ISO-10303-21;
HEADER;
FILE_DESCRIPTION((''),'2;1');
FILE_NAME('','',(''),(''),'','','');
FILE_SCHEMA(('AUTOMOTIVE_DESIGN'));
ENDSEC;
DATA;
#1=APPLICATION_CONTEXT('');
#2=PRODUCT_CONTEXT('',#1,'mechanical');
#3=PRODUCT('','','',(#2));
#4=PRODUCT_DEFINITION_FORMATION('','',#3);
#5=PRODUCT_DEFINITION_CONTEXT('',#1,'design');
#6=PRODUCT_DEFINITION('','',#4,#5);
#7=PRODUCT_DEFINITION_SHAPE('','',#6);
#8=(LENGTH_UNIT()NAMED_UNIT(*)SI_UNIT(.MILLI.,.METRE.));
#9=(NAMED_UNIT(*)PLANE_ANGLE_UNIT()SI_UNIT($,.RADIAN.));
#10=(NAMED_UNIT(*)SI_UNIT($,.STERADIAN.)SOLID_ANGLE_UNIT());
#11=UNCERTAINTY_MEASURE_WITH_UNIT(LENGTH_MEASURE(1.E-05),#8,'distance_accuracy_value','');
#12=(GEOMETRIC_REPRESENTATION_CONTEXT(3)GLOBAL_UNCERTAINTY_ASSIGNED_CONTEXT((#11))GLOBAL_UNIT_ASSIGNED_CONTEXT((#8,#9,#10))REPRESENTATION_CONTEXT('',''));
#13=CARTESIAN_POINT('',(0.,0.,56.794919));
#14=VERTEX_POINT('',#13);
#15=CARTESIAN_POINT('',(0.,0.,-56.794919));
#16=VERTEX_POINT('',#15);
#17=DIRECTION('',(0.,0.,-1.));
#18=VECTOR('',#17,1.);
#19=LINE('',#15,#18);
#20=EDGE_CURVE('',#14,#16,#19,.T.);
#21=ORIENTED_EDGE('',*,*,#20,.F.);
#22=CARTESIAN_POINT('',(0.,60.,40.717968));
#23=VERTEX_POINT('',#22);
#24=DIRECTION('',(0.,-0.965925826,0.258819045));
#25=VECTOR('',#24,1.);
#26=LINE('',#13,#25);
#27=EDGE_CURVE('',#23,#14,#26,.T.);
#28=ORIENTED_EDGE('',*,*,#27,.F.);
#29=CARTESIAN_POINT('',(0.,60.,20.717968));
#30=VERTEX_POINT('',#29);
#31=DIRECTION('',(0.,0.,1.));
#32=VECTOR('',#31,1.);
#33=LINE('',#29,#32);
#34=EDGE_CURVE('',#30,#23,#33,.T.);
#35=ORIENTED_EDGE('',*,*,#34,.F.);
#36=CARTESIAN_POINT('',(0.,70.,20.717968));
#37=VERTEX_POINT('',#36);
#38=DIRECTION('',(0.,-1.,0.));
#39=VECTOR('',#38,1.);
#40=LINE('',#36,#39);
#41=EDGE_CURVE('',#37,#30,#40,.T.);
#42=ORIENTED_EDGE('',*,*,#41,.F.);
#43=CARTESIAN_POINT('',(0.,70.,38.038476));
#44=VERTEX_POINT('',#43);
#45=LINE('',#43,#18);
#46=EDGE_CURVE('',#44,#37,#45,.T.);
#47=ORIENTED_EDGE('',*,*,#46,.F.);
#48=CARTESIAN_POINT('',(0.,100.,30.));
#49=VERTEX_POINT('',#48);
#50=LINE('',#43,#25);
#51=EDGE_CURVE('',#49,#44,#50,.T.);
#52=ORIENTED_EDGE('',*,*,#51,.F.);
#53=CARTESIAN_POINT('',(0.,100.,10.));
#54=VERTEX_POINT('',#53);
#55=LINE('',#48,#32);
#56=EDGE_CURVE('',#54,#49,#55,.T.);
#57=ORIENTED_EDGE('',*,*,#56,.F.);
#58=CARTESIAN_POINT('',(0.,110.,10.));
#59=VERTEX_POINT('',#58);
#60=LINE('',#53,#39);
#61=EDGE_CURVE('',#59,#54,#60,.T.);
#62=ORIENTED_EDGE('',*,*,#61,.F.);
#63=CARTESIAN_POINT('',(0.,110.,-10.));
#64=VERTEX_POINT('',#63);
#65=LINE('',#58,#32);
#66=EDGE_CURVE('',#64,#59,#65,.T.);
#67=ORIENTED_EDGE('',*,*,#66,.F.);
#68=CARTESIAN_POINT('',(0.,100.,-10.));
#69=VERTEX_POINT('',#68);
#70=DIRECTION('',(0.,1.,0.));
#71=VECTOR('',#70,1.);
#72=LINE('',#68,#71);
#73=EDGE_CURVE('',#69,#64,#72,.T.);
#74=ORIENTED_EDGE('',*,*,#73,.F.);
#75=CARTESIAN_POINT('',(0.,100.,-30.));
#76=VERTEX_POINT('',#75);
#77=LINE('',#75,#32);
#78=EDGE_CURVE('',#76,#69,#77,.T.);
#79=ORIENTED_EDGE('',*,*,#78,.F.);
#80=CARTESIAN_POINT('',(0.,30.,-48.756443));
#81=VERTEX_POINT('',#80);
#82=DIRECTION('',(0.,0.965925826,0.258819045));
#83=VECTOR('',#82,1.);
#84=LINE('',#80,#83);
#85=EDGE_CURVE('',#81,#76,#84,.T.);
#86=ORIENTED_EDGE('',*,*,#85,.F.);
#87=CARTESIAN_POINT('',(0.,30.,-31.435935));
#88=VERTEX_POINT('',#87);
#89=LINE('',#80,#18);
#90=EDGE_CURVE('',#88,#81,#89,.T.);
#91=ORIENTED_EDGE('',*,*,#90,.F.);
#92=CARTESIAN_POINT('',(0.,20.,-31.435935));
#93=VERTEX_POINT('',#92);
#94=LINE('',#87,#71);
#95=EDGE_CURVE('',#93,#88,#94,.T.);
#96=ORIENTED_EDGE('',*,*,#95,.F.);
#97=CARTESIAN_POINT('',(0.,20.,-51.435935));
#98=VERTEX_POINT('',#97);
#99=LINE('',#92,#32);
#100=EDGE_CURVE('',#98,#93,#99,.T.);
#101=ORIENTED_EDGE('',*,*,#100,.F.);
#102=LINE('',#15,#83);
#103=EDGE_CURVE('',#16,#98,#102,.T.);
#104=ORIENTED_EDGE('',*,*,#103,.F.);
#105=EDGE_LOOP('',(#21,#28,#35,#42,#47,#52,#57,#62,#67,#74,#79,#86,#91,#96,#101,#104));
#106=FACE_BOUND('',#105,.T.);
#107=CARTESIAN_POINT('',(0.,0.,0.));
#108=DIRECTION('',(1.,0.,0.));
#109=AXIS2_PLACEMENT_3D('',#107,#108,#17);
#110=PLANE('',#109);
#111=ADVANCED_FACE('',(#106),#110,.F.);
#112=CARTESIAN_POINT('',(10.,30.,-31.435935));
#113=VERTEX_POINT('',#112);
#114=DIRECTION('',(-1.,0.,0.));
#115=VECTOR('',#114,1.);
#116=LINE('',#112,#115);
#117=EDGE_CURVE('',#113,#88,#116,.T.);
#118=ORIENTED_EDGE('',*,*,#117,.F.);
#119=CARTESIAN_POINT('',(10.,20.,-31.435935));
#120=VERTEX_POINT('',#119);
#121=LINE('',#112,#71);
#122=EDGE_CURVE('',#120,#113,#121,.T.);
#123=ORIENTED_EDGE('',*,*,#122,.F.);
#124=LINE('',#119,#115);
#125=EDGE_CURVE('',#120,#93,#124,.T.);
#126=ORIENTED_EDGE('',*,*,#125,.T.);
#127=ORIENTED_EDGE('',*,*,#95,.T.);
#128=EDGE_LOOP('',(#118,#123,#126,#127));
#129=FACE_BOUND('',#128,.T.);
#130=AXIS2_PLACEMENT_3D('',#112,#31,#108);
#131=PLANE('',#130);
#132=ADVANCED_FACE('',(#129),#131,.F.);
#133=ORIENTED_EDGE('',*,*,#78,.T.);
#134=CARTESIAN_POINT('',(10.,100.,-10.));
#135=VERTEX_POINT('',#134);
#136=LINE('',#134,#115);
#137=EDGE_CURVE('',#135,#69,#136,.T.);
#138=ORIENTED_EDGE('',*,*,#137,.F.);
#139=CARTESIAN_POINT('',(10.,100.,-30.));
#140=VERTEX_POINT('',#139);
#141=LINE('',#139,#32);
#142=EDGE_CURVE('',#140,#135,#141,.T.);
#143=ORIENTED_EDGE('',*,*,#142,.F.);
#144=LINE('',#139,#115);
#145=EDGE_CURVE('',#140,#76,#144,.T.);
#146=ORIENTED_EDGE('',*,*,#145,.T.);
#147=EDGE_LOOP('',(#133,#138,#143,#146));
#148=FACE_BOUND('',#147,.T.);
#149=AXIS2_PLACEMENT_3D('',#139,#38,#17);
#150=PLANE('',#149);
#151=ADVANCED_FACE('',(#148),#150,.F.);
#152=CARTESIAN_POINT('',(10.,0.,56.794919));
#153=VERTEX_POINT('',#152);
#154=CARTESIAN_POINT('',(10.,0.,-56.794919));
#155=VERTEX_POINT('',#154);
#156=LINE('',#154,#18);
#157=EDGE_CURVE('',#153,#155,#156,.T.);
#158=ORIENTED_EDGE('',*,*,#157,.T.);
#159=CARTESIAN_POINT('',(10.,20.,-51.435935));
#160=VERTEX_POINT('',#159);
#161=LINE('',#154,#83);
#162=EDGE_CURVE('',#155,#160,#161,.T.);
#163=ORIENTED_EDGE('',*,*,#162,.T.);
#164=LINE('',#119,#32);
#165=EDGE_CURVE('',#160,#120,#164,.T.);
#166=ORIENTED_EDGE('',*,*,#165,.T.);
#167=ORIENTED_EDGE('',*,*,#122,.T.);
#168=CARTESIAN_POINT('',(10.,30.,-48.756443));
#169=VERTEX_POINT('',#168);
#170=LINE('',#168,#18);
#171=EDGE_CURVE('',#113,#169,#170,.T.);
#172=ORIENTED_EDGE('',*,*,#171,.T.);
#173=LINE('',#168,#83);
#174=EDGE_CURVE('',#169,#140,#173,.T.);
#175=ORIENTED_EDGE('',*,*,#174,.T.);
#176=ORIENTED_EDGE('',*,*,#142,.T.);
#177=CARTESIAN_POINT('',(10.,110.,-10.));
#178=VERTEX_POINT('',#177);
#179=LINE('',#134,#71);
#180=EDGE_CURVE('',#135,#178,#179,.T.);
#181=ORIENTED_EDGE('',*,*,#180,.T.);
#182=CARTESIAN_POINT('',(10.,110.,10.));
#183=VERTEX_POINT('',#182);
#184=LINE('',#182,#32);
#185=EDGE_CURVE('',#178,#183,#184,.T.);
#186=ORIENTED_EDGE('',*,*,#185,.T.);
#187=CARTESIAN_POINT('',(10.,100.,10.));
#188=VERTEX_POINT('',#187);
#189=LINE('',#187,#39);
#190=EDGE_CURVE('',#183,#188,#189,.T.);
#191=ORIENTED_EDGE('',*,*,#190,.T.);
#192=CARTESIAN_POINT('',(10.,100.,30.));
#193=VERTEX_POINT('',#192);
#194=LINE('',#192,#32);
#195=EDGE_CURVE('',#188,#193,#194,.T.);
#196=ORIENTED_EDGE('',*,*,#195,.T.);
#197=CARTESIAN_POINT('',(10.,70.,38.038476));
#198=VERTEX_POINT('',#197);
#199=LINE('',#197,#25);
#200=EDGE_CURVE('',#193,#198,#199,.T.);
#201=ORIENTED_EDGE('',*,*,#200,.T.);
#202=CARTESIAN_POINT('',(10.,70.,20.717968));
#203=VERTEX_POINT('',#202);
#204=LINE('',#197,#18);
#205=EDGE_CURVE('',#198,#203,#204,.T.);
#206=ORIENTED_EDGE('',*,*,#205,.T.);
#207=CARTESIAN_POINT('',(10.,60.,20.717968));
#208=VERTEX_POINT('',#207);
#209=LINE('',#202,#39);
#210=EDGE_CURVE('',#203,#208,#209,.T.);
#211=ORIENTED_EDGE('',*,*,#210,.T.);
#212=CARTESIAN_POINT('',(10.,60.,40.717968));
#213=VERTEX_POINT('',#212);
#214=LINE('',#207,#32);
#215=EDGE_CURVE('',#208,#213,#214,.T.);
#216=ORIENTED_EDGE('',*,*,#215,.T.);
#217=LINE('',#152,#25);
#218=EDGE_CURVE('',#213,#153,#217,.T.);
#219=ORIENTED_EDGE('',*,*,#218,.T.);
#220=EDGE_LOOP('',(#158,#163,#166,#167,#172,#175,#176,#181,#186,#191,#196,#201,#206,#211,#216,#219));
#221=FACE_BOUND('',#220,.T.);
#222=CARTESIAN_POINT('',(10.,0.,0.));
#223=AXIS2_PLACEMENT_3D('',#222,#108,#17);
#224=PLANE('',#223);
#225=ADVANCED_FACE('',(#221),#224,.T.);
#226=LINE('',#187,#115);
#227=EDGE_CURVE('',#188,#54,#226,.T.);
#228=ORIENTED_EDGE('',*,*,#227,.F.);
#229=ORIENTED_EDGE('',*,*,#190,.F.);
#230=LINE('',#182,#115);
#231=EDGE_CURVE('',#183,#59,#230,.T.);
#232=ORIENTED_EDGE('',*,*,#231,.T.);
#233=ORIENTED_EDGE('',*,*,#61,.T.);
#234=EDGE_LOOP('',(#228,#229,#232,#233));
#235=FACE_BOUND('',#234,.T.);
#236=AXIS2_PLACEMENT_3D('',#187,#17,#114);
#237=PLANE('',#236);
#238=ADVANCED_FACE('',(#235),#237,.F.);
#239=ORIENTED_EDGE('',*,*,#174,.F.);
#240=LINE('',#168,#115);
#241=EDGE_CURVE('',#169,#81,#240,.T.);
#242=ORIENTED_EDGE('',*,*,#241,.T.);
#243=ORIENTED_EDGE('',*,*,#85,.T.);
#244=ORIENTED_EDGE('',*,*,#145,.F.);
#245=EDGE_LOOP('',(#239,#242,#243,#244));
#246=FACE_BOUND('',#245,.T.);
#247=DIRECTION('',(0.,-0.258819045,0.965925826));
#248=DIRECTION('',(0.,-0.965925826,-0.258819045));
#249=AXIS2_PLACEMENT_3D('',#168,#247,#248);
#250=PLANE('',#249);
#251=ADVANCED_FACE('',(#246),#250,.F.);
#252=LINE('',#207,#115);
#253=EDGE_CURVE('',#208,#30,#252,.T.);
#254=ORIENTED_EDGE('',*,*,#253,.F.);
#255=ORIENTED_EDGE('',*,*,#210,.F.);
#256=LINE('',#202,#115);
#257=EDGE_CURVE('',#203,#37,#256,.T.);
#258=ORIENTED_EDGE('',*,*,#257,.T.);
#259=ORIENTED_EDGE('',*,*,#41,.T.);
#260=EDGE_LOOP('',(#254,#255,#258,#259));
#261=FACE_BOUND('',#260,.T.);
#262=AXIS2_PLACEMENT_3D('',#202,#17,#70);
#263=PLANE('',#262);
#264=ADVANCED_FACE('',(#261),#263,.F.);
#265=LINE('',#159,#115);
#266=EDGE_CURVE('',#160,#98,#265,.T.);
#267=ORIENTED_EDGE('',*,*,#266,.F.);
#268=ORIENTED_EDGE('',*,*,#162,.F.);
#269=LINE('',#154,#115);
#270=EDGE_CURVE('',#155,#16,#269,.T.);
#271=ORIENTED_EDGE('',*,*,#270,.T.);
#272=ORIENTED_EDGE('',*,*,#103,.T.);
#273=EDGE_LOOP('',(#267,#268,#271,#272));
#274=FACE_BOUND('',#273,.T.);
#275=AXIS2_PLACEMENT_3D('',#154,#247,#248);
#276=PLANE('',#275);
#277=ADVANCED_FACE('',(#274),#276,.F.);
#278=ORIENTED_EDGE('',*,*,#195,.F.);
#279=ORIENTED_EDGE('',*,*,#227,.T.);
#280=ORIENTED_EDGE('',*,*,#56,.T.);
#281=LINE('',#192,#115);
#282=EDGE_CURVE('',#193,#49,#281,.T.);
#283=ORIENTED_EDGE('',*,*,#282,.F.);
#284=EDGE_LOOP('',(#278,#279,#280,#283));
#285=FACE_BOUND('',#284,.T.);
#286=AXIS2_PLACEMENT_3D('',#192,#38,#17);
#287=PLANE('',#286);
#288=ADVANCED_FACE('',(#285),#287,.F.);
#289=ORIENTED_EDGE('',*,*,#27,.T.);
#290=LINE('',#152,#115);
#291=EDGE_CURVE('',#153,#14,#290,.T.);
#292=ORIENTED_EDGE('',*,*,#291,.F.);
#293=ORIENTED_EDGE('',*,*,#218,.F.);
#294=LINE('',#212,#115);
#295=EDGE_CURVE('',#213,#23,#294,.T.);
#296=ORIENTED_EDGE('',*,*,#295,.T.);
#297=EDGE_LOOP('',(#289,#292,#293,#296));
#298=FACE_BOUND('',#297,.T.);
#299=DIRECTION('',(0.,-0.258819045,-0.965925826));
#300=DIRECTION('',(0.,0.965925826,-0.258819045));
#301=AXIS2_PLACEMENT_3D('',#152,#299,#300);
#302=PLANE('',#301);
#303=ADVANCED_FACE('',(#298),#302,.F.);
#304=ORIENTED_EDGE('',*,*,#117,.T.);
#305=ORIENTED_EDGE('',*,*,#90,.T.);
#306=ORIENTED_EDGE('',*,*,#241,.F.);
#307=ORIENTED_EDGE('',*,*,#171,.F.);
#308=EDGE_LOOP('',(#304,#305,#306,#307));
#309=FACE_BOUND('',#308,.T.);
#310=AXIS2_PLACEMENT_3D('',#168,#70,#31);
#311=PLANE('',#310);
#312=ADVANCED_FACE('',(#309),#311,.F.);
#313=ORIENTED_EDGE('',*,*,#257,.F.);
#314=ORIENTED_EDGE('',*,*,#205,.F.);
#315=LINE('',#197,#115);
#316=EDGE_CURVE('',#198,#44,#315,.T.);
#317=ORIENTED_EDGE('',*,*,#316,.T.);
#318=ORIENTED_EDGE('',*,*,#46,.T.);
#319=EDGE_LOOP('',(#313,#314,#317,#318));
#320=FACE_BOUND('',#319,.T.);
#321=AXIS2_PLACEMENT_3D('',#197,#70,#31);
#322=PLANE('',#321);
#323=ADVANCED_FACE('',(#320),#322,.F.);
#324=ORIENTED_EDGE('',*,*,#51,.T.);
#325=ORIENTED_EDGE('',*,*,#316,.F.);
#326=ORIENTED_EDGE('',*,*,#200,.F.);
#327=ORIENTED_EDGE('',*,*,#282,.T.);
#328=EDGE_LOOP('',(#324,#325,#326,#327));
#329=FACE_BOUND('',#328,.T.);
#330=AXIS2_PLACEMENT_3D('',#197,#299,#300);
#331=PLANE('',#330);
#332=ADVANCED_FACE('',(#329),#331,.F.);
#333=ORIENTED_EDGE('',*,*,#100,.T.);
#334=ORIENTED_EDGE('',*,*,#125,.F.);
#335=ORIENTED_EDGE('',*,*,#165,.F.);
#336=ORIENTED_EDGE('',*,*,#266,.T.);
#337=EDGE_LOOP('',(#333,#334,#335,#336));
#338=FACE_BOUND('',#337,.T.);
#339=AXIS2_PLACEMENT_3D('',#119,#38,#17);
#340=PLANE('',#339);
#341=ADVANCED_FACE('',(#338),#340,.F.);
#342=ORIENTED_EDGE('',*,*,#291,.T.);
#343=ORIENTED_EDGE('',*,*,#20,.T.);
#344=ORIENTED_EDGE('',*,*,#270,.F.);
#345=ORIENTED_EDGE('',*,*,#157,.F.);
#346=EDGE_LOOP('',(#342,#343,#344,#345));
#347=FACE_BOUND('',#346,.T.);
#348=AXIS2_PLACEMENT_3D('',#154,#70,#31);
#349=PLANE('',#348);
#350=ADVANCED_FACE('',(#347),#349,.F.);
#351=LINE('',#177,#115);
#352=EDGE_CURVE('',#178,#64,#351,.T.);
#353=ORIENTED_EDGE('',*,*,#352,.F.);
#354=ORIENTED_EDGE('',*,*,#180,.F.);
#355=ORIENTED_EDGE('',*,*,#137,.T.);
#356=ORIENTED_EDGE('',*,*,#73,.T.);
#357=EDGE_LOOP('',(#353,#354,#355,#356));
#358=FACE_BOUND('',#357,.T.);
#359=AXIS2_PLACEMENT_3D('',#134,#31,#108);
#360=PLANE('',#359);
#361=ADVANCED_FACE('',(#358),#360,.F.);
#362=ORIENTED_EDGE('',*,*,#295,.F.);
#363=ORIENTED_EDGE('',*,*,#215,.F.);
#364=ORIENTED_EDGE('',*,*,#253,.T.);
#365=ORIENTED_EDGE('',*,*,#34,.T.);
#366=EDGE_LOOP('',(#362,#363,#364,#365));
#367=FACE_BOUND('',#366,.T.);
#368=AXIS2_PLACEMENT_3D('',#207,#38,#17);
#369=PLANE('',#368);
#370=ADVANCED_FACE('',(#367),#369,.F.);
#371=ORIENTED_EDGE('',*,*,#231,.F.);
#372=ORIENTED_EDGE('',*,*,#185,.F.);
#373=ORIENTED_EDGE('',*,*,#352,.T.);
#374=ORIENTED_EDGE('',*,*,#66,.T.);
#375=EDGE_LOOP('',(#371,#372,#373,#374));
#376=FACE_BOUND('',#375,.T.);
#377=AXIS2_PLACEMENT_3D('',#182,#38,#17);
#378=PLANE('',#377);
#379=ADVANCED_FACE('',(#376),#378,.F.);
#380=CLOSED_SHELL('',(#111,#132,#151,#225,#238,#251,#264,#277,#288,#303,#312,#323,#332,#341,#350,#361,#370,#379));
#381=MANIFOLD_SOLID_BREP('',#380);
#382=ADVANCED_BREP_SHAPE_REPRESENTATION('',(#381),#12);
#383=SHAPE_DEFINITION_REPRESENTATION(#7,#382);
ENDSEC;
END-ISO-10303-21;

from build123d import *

# Parameters (mm, degrees)
BOSS_EXTRUDE1_DEPTH = 10


with BuildPart() as part:
    # Sketch1 → Boss-Extrude1 (new body)
    with BuildSketch(Plane(origin=(0, 0, 0), x_dir=(0, 0, -1), z_dir=(1, 0, 0))):
        Polygon((56.794919243, 0), (-56.794919243, 0), (-40.717967697, 60), (-20.717967697, 60), (-20.717967697, 70), (-38.038475773, 70), (-30, 100), (-10, 100), (-10, 110), (10, 110), (10, 100), (30, 100), (48.75644347, 30), (31.435935394, 30), (31.435935394, 20), (51.435935394, 20), align=None)
    extrude(amount=BOSS_EXTRUDE1_DEPTH)


solid = part.part
